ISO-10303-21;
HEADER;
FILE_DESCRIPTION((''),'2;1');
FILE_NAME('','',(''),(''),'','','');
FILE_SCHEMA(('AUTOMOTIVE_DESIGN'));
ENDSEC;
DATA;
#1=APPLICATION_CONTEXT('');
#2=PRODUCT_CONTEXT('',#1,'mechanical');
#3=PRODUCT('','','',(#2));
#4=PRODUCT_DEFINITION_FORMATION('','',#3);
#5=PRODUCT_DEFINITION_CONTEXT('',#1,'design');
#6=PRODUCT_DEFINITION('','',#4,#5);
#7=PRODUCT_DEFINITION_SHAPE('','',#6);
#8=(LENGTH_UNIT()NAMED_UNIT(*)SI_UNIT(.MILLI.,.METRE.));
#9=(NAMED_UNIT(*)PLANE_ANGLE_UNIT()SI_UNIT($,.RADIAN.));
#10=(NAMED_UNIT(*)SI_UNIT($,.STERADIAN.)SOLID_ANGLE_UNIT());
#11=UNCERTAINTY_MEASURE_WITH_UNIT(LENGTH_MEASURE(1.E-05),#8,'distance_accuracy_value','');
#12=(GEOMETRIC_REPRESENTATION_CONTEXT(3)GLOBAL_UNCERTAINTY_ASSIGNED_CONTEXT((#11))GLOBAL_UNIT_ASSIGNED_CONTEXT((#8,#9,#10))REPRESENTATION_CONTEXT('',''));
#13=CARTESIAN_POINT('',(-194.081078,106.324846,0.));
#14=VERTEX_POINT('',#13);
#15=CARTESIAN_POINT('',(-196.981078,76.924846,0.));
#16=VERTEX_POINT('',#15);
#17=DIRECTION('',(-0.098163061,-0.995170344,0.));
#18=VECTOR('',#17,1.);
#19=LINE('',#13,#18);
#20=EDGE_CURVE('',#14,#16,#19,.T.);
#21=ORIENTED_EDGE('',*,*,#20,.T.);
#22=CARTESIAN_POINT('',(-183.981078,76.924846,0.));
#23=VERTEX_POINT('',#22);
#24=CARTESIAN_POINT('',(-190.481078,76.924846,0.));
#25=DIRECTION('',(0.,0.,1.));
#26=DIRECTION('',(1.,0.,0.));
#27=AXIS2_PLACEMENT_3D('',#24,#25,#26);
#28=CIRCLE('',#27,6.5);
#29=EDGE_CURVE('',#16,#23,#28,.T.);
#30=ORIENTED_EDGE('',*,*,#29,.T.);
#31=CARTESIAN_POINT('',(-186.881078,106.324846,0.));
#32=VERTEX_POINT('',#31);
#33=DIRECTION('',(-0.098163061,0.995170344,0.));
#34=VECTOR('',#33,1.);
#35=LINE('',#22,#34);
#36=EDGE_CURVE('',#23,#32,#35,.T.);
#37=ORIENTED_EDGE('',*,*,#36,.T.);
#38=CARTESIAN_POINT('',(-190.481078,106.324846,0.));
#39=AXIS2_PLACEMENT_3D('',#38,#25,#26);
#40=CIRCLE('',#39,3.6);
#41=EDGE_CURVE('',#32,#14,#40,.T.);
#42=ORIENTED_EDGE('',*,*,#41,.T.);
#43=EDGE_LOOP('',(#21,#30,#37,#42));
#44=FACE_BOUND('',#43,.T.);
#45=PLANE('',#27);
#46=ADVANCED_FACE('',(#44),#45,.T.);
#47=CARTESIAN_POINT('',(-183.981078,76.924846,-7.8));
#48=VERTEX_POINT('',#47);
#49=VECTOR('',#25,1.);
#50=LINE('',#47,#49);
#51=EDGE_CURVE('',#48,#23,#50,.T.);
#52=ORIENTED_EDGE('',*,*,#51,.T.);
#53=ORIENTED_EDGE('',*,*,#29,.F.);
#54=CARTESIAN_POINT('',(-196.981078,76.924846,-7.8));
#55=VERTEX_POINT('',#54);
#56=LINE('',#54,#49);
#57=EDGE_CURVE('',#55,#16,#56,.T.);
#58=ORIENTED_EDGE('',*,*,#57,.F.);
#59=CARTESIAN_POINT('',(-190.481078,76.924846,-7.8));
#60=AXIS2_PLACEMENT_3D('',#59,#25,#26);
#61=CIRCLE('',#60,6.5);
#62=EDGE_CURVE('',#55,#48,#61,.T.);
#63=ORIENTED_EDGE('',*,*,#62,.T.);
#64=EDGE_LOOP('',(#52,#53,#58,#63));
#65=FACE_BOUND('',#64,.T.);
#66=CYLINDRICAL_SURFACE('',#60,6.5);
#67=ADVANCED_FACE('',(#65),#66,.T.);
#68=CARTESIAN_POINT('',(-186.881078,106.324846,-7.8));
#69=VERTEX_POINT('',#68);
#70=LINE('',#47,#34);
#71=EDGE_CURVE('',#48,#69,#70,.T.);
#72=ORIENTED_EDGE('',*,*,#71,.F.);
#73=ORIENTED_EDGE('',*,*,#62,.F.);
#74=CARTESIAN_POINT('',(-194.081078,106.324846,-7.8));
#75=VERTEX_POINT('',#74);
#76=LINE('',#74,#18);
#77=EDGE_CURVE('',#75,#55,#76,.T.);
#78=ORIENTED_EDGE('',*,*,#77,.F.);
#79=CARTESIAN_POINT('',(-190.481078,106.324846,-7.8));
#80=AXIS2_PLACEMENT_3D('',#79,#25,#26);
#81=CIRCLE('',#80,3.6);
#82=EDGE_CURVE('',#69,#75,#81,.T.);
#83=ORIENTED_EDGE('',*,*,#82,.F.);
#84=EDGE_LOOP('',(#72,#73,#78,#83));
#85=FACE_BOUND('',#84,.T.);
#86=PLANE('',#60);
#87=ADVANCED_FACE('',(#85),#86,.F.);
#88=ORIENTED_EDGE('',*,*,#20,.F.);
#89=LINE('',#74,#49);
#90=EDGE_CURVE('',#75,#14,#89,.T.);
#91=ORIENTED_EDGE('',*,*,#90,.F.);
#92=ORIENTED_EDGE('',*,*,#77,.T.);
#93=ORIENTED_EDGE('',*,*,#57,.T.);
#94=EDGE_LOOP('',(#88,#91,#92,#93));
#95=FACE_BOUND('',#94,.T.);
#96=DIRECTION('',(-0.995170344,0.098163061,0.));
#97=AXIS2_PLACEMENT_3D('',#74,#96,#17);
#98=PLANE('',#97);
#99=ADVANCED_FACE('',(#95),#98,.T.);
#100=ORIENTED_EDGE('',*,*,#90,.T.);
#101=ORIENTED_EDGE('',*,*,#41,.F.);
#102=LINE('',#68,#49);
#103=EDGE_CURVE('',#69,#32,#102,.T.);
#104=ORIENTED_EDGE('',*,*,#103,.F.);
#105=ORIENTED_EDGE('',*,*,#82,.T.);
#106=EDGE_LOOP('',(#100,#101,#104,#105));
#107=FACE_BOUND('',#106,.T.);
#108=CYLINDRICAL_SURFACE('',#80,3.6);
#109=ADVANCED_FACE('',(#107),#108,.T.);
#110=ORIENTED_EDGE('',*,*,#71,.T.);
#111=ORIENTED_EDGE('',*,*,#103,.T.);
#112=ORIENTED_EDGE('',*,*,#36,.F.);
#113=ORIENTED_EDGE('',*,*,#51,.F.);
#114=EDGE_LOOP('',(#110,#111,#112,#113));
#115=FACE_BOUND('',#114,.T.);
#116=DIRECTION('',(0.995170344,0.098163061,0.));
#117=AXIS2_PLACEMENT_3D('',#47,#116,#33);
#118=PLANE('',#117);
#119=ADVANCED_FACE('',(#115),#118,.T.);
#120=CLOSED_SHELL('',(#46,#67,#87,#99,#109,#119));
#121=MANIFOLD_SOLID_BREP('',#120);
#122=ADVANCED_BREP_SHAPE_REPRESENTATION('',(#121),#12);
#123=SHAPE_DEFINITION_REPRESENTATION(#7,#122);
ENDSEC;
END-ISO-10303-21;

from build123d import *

# Parameters (mm, degrees)
DODANIE_WYCI_GNI_CIE1_DEPTH = 7.8


with BuildPart() as part:
    # Szkic1 → Dodanie-wyciągnięcie1 (new body)
    with BuildSketch(Plane.XY):
        with BuildLine():
            Line((-194.081077779, 106.324846477), (-196.981077779, 76.924846477))
            ThreePointArc((-196.981077779, 76.924846477), (-190.481077779, 70.424846477), (-183.981077779, 76.924846477))
            Line((-183.981077779, 76.924846477), (-186.881077779, 106.324846477))
            ThreePointArc((-186.881077779, 106.324846477), (-190.481077779, 109.924846477), (-194.081077779, 106.324846477))
        make_face()
    extrude(amount=-DODANIE_WYCI_GNI_CIE1_DEPTH)


solid = part.part
